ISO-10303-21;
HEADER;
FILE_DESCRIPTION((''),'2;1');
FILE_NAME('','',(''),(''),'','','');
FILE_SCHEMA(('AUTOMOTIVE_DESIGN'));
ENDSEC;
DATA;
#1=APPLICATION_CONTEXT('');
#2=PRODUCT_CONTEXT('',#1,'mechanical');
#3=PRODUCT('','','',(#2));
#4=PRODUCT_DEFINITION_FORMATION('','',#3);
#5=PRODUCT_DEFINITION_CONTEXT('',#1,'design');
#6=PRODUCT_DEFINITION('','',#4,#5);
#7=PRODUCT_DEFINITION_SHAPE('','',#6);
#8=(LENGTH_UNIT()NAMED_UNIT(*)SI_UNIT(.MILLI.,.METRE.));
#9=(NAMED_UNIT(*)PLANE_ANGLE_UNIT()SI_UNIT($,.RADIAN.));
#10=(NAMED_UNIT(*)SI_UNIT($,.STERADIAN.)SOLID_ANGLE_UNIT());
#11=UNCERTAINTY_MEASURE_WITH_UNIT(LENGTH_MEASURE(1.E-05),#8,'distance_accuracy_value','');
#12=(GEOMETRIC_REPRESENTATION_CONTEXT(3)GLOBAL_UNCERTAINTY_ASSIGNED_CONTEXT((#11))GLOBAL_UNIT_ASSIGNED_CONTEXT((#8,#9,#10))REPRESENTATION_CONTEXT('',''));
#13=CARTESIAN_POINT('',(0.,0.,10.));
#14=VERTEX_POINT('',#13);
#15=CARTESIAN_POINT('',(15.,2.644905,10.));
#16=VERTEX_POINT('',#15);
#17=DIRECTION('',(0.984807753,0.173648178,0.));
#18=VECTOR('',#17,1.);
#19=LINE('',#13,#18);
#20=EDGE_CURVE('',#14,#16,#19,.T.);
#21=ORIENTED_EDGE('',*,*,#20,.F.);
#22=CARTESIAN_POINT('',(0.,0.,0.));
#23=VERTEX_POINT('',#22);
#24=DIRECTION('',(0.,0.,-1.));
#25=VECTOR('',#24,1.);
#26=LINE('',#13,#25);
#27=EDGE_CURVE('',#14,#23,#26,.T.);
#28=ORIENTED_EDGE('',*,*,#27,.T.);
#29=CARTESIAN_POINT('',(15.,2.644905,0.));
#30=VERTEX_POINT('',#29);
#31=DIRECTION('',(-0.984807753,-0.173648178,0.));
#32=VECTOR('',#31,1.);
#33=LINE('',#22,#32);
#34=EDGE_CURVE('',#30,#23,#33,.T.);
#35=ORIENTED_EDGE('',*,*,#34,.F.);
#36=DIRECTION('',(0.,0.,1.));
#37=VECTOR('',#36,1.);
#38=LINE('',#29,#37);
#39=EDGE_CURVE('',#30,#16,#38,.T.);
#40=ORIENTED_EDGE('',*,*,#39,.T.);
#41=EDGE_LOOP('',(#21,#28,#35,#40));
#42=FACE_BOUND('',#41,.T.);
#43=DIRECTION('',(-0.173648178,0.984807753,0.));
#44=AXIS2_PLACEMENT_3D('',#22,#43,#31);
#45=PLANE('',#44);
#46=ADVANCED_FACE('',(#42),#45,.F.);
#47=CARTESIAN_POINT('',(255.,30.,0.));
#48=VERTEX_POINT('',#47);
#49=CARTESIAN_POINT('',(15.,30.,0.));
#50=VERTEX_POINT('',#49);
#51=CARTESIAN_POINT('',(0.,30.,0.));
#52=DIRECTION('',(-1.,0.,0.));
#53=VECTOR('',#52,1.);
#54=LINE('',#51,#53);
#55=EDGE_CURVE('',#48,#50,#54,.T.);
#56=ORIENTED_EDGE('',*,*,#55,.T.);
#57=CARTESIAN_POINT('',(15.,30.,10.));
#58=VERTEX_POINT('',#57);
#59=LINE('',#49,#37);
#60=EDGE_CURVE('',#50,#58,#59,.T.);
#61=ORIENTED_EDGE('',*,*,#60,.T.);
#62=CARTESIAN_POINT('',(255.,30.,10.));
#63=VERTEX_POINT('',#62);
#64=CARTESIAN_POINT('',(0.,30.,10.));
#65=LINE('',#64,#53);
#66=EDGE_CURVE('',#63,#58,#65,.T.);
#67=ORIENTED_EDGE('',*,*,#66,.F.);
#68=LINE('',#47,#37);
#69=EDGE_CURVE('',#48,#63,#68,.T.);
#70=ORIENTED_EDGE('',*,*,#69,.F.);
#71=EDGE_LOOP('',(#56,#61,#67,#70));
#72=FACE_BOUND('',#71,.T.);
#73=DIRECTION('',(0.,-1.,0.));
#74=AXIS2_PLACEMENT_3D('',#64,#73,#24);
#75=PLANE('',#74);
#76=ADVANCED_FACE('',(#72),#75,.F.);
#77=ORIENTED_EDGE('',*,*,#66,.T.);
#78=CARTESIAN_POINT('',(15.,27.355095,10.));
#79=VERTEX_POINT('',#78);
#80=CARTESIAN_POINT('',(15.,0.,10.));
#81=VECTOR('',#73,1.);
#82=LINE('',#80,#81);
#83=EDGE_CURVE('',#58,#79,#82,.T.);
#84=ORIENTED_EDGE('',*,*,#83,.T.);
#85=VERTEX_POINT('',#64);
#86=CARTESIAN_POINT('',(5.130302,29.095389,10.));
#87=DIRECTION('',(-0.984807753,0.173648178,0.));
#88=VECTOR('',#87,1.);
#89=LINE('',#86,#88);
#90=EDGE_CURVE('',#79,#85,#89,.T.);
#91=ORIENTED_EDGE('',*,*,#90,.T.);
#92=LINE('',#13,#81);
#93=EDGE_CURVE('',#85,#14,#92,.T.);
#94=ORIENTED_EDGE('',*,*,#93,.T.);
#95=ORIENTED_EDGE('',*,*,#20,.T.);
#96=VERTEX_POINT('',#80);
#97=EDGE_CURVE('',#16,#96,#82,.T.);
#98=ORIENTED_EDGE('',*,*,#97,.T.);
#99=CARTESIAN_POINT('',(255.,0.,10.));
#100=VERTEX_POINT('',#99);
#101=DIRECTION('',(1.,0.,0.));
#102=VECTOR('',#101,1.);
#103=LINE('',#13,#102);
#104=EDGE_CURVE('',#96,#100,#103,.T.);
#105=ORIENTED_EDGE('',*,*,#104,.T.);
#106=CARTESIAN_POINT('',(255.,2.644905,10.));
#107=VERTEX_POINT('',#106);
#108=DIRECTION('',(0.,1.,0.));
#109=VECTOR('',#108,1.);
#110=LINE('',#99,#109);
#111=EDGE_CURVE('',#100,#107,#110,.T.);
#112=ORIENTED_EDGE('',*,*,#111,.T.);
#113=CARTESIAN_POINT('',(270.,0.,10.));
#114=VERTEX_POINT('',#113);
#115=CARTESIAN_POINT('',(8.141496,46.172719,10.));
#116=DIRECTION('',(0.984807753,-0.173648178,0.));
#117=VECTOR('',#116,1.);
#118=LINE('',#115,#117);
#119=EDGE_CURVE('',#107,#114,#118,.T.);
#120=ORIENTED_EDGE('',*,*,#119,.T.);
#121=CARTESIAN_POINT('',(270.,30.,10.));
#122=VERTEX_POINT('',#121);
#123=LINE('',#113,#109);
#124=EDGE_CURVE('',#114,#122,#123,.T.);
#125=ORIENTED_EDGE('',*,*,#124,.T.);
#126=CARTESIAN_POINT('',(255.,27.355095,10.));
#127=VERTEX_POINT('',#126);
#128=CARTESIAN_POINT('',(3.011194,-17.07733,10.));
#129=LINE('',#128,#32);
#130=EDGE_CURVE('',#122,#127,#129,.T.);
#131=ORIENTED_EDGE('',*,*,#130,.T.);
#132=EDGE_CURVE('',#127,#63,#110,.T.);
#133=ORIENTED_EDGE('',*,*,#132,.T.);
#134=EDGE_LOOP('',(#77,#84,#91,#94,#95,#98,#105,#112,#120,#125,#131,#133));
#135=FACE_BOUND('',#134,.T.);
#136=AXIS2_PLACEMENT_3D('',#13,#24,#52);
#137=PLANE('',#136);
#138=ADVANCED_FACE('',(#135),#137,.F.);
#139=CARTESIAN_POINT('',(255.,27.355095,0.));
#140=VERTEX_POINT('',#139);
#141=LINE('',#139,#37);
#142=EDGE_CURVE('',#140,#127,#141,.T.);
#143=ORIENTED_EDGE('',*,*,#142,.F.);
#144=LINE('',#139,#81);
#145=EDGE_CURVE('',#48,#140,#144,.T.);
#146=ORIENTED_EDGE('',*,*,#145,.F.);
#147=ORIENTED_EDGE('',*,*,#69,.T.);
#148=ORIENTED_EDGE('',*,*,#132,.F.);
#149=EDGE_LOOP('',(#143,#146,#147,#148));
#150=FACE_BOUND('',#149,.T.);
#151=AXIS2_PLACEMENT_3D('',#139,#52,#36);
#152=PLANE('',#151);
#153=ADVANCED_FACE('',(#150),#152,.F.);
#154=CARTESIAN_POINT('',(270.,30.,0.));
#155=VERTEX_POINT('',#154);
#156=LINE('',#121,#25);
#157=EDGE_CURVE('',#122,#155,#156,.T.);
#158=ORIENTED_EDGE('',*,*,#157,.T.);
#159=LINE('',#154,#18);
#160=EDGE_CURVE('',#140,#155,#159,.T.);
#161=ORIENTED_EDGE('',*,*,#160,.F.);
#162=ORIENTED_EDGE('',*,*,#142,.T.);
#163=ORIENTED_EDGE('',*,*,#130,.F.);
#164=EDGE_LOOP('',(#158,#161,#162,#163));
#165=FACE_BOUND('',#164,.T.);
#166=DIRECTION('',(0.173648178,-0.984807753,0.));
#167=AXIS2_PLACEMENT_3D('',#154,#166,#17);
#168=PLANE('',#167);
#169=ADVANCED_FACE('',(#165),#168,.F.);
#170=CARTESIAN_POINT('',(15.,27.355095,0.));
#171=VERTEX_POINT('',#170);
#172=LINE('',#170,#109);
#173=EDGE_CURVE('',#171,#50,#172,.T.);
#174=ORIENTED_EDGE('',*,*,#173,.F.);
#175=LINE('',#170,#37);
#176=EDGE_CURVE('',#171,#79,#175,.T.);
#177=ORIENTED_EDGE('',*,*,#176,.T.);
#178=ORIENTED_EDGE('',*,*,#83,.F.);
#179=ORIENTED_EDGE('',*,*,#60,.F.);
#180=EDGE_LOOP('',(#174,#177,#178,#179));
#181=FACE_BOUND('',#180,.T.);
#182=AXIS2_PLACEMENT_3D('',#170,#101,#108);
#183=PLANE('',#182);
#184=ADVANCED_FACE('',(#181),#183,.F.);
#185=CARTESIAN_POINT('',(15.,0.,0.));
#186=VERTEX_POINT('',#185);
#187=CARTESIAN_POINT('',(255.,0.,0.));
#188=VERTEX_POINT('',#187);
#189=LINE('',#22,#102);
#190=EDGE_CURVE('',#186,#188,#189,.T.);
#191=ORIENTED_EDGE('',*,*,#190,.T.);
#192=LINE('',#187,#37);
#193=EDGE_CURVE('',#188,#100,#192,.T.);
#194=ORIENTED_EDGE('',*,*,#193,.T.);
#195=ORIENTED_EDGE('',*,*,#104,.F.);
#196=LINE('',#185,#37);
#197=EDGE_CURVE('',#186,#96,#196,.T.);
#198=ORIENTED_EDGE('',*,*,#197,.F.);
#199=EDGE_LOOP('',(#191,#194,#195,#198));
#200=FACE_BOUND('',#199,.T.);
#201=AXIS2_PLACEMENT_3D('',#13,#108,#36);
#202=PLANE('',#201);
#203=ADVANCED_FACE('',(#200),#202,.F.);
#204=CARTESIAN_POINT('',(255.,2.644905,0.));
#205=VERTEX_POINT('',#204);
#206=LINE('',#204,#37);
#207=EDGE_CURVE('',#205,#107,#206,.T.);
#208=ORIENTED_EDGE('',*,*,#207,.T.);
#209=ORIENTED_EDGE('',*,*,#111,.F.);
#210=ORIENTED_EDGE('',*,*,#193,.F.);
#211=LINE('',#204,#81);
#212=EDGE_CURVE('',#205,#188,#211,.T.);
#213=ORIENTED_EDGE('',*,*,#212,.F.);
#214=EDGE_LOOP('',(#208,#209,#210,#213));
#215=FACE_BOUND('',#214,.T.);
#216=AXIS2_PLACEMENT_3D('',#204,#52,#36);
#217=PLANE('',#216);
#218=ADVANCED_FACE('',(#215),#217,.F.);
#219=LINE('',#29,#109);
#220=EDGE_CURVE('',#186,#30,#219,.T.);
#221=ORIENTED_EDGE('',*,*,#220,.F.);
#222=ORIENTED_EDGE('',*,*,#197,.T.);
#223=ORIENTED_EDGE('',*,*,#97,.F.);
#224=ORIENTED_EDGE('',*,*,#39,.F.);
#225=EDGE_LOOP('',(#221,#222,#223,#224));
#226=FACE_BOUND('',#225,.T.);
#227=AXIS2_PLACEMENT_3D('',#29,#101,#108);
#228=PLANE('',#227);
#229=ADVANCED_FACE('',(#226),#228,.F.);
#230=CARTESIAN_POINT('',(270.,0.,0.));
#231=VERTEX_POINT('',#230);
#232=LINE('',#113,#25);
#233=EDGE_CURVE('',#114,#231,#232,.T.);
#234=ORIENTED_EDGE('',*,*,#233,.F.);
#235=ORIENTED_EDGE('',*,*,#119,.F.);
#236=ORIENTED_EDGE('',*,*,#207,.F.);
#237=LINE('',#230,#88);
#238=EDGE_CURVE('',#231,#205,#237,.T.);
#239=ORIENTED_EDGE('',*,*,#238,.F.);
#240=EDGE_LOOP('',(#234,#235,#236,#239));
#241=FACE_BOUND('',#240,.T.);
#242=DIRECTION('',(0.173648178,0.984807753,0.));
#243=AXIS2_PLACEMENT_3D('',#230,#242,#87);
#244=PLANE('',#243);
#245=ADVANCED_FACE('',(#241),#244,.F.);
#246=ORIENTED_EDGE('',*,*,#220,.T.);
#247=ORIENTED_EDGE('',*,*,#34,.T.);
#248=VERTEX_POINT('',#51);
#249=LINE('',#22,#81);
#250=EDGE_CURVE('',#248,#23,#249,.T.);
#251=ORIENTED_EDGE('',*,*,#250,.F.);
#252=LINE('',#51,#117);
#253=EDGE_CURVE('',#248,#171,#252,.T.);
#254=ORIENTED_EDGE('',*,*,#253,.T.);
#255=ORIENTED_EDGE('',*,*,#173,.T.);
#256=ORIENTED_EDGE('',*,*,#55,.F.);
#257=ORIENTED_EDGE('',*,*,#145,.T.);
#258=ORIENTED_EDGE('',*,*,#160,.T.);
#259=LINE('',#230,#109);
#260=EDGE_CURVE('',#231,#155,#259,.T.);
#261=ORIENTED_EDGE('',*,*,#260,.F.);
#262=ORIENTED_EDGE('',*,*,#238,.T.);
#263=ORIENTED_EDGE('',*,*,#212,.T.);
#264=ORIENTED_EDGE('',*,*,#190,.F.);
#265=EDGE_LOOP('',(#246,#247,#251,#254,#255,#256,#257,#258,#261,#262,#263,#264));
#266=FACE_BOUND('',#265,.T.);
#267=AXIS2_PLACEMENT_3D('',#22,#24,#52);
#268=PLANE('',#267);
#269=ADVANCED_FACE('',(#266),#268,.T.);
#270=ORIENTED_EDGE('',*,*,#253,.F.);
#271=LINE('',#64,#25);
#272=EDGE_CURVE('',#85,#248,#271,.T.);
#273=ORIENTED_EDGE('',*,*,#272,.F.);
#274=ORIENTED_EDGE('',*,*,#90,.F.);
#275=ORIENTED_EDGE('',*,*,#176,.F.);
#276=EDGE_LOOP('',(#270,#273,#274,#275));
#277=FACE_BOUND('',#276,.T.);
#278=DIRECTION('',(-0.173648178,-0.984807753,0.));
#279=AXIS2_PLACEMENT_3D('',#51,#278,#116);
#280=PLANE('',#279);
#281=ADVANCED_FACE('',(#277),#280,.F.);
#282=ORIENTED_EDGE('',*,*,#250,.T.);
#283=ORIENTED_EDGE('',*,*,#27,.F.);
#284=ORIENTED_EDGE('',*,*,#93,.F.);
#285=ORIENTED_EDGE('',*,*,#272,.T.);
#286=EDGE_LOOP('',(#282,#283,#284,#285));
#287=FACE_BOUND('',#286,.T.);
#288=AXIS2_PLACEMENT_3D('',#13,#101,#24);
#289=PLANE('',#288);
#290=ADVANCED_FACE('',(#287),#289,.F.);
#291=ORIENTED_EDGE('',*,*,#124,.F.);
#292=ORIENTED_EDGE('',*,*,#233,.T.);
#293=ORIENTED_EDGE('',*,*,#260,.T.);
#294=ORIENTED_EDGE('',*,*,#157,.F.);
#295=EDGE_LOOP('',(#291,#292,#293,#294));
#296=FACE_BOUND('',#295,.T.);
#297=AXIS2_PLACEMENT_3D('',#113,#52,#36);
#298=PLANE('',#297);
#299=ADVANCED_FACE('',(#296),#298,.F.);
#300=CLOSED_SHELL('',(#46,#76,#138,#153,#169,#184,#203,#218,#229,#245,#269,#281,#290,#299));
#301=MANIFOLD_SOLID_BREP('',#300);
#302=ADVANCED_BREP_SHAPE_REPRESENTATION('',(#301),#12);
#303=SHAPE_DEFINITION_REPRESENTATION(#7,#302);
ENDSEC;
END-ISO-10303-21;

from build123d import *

# Parameters (mm, degrees)
ESQUISSE1_W                  = 270
ESQUISSE1_H                  = 30
BOSS_EXTRU_1_DEPTH           = 10
ENL_V_MAT_EXTRU_1_DEPTH      = 272.845544381
ENL_V_MAT_EXTRU_1_DEPTH_BACK = 272.845544381


with BuildPart() as part:
    # Esquisse1 → Boss.-Extru.1 (new body)
    with BuildSketch(Plane.XY):
        with Locations((135, 15)):
            Rectangle(ESQUISSE1_W, ESQUISSE1_H)
    extrude(amount=BOSS_EXTRU_1_DEPTH)

    # Esquisse2 → Enlèv. mat.-Extru.1 (cut, two sides: drawn at the far end of the back side and taken through both)
    with BuildSketch(Plane.XY.offset(10).offset(-ENL_V_MAT_EXTRU_1_DEPTH_BACK)):
        Polygon((0, 30), (15, 27.355095289), (15, 30), align=None)
        Polygon((15, 2.644904711), (15, 0), (0, 0), align=None)
        Polygon((255, 0), (270, 0), (255, 2.644904711), align=None)
        Polygon((255, 30), (270, 30), (255, 27.355095289), align=None)
    extrude(amount=ENL_V_MAT_EXTRU_1_DEPTH + ENL_V_MAT_EXTRU_1_DEPTH_BACK, mode=Mode.SUBTRACT)


solid = part.part
